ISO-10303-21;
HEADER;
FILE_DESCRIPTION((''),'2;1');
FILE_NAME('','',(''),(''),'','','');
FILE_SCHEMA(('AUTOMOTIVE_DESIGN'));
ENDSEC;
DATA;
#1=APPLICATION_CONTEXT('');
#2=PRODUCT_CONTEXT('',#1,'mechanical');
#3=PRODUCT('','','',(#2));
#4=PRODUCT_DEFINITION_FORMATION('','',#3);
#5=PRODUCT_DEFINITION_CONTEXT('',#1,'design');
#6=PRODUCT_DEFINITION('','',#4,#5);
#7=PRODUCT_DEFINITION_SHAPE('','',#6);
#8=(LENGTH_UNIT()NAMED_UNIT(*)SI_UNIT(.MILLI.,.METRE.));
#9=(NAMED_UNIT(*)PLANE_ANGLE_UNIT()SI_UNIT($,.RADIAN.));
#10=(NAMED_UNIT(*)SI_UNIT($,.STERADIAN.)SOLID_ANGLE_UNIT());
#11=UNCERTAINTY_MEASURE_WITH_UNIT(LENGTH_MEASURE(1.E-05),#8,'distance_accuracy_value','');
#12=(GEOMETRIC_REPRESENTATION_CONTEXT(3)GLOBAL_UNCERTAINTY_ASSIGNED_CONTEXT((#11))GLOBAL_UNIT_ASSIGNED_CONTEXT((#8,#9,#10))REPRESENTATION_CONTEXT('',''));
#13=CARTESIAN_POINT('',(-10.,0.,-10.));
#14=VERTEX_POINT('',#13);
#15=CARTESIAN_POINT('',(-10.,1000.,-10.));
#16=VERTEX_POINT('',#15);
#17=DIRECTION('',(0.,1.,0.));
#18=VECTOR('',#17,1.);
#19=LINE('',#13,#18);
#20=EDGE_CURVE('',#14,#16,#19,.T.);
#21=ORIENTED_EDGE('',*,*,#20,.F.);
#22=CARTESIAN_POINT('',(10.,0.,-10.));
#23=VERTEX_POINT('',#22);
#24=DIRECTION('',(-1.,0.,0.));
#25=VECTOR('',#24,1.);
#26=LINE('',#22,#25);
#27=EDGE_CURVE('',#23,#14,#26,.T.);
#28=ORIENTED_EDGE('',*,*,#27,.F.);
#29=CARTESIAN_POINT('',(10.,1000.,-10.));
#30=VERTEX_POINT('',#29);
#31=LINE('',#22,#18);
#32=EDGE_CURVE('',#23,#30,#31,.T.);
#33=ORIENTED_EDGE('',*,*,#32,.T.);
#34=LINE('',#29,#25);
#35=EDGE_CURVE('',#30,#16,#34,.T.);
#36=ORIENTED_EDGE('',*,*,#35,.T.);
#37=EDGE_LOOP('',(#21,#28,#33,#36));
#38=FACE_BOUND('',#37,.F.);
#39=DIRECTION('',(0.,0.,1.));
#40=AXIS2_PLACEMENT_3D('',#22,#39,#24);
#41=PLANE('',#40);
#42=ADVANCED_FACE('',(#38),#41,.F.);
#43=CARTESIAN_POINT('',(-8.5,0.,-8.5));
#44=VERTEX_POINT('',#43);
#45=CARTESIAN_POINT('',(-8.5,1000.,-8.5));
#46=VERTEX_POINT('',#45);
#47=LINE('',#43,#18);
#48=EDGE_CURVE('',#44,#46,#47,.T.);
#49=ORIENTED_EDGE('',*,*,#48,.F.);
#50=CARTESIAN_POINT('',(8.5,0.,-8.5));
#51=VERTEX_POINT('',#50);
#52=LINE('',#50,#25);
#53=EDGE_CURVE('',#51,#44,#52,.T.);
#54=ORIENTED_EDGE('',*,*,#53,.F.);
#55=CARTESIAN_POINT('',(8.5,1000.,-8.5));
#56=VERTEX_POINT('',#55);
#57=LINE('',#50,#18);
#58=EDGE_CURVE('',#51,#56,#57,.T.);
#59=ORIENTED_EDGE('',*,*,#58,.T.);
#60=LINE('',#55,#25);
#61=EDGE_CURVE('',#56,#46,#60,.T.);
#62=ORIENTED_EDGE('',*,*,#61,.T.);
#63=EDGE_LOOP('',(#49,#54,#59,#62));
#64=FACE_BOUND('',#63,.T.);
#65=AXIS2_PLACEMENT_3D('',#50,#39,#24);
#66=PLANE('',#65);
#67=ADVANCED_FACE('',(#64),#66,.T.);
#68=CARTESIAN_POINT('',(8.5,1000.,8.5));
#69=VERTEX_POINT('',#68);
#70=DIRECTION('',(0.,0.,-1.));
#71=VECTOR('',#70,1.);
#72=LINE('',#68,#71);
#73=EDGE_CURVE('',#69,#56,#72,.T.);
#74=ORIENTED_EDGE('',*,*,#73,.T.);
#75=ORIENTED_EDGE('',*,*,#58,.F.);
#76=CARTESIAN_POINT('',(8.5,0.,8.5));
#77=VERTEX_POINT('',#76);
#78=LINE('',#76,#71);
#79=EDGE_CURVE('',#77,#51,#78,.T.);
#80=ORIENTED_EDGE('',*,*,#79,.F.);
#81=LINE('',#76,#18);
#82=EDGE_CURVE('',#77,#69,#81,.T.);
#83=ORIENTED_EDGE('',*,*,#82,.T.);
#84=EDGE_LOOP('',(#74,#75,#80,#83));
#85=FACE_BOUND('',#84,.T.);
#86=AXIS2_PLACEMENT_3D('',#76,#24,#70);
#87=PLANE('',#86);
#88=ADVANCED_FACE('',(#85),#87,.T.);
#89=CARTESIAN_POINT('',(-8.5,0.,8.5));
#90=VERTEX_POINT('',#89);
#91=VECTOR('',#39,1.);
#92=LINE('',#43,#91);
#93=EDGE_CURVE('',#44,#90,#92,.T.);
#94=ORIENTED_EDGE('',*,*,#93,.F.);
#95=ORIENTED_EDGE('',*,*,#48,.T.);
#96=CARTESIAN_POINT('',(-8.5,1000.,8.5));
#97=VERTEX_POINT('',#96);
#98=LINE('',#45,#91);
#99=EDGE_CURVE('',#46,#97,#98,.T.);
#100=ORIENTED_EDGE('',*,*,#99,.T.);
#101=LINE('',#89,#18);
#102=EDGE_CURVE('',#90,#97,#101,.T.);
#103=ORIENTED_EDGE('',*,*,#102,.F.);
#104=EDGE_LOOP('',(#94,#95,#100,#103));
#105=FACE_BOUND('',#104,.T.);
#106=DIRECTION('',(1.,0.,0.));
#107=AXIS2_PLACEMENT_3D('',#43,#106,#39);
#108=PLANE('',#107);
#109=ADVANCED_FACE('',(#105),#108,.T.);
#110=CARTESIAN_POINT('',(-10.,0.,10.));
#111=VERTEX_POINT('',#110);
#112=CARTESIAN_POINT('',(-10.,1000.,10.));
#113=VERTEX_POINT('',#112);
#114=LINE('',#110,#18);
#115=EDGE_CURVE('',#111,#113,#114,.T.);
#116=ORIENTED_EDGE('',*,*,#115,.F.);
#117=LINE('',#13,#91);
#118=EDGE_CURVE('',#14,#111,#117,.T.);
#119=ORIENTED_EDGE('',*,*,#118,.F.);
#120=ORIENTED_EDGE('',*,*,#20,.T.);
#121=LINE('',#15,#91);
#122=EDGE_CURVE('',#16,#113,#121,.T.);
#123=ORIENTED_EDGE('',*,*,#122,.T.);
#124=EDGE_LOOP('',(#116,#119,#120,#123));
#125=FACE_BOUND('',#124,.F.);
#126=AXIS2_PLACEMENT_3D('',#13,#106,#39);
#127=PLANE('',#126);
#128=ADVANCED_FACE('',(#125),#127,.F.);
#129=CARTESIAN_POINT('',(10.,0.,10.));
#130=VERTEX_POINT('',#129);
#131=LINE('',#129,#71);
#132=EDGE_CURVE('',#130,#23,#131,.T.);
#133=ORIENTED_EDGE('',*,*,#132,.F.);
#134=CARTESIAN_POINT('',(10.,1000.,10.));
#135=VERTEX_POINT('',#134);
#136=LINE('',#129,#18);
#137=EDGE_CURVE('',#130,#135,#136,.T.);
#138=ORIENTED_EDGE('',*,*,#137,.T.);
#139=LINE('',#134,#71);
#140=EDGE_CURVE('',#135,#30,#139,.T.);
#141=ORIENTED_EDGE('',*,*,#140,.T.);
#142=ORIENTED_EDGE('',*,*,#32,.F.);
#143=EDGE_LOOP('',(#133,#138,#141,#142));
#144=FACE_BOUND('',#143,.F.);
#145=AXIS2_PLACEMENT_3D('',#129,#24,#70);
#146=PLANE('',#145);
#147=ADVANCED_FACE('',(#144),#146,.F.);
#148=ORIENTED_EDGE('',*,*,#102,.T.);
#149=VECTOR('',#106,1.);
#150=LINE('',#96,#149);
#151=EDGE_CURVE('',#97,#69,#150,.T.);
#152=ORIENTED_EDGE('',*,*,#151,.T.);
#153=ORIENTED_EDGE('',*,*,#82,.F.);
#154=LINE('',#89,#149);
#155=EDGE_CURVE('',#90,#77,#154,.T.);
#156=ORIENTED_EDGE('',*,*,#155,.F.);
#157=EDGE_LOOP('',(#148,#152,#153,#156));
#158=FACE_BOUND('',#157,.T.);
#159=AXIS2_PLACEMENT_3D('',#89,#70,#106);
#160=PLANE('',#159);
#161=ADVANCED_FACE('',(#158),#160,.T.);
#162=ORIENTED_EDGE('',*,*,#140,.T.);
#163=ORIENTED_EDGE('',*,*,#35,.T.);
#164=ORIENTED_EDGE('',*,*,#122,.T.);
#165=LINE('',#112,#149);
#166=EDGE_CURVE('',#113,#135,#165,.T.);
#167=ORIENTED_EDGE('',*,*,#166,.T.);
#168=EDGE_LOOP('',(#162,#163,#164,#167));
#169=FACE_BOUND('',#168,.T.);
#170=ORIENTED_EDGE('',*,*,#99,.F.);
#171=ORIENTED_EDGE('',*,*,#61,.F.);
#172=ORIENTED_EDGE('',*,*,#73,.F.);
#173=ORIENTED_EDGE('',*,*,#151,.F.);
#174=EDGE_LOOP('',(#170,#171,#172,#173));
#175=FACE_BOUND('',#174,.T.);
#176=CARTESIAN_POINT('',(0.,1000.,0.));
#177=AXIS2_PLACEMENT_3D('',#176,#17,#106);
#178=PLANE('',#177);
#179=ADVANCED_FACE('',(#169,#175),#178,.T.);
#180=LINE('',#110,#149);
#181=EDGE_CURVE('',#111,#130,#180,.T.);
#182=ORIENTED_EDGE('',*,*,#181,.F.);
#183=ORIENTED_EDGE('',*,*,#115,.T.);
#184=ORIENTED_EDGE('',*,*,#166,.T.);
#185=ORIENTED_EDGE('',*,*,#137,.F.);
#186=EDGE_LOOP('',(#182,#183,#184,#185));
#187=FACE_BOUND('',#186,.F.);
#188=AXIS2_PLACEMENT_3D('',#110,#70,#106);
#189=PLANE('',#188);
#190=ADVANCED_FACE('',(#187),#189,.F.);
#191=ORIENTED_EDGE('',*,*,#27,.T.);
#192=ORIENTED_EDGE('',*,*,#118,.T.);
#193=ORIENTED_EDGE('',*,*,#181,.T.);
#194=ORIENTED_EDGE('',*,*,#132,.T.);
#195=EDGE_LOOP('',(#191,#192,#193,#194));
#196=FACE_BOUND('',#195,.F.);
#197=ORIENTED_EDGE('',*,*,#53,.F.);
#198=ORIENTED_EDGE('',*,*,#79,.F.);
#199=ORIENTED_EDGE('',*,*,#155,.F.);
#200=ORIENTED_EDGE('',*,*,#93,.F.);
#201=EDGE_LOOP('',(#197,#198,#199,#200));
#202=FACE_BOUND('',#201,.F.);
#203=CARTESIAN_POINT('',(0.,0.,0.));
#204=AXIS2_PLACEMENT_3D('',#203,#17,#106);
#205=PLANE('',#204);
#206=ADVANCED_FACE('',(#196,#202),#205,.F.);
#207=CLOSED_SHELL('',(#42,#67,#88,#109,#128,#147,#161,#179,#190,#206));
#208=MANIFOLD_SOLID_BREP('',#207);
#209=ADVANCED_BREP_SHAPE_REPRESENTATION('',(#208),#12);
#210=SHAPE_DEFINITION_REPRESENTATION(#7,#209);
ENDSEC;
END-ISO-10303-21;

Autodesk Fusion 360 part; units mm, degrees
sketch "Sketch1" plane through (0, 0, 0) normal (0, 1, 0) x (1, 0, 0)
  line L0 (10, 10) -> (-10, 10)
  line L1 (-10, 10) -> (-10, -10)
  line L2 (-10, -10) -> (10, -10)
  line L3 (10, -10) -> (10, 10)
  line L4 (-8.5, 8.5) -> (-8.5, -8.5)
  line L5 (-8.5, -8.5) -> (8.5, -8.5)
  line L6 (8.5, -8.5) -> (8.5, 8.5)
  line L7 (8.5, 8.5) -> (-8.5, 8.5)
  dimension "d1" = 20
  dimension "d2" = 20
  dimension "d3" = -1.5
extrude "Extrude1" add sketch "Sketch1" along normal blind 1000
